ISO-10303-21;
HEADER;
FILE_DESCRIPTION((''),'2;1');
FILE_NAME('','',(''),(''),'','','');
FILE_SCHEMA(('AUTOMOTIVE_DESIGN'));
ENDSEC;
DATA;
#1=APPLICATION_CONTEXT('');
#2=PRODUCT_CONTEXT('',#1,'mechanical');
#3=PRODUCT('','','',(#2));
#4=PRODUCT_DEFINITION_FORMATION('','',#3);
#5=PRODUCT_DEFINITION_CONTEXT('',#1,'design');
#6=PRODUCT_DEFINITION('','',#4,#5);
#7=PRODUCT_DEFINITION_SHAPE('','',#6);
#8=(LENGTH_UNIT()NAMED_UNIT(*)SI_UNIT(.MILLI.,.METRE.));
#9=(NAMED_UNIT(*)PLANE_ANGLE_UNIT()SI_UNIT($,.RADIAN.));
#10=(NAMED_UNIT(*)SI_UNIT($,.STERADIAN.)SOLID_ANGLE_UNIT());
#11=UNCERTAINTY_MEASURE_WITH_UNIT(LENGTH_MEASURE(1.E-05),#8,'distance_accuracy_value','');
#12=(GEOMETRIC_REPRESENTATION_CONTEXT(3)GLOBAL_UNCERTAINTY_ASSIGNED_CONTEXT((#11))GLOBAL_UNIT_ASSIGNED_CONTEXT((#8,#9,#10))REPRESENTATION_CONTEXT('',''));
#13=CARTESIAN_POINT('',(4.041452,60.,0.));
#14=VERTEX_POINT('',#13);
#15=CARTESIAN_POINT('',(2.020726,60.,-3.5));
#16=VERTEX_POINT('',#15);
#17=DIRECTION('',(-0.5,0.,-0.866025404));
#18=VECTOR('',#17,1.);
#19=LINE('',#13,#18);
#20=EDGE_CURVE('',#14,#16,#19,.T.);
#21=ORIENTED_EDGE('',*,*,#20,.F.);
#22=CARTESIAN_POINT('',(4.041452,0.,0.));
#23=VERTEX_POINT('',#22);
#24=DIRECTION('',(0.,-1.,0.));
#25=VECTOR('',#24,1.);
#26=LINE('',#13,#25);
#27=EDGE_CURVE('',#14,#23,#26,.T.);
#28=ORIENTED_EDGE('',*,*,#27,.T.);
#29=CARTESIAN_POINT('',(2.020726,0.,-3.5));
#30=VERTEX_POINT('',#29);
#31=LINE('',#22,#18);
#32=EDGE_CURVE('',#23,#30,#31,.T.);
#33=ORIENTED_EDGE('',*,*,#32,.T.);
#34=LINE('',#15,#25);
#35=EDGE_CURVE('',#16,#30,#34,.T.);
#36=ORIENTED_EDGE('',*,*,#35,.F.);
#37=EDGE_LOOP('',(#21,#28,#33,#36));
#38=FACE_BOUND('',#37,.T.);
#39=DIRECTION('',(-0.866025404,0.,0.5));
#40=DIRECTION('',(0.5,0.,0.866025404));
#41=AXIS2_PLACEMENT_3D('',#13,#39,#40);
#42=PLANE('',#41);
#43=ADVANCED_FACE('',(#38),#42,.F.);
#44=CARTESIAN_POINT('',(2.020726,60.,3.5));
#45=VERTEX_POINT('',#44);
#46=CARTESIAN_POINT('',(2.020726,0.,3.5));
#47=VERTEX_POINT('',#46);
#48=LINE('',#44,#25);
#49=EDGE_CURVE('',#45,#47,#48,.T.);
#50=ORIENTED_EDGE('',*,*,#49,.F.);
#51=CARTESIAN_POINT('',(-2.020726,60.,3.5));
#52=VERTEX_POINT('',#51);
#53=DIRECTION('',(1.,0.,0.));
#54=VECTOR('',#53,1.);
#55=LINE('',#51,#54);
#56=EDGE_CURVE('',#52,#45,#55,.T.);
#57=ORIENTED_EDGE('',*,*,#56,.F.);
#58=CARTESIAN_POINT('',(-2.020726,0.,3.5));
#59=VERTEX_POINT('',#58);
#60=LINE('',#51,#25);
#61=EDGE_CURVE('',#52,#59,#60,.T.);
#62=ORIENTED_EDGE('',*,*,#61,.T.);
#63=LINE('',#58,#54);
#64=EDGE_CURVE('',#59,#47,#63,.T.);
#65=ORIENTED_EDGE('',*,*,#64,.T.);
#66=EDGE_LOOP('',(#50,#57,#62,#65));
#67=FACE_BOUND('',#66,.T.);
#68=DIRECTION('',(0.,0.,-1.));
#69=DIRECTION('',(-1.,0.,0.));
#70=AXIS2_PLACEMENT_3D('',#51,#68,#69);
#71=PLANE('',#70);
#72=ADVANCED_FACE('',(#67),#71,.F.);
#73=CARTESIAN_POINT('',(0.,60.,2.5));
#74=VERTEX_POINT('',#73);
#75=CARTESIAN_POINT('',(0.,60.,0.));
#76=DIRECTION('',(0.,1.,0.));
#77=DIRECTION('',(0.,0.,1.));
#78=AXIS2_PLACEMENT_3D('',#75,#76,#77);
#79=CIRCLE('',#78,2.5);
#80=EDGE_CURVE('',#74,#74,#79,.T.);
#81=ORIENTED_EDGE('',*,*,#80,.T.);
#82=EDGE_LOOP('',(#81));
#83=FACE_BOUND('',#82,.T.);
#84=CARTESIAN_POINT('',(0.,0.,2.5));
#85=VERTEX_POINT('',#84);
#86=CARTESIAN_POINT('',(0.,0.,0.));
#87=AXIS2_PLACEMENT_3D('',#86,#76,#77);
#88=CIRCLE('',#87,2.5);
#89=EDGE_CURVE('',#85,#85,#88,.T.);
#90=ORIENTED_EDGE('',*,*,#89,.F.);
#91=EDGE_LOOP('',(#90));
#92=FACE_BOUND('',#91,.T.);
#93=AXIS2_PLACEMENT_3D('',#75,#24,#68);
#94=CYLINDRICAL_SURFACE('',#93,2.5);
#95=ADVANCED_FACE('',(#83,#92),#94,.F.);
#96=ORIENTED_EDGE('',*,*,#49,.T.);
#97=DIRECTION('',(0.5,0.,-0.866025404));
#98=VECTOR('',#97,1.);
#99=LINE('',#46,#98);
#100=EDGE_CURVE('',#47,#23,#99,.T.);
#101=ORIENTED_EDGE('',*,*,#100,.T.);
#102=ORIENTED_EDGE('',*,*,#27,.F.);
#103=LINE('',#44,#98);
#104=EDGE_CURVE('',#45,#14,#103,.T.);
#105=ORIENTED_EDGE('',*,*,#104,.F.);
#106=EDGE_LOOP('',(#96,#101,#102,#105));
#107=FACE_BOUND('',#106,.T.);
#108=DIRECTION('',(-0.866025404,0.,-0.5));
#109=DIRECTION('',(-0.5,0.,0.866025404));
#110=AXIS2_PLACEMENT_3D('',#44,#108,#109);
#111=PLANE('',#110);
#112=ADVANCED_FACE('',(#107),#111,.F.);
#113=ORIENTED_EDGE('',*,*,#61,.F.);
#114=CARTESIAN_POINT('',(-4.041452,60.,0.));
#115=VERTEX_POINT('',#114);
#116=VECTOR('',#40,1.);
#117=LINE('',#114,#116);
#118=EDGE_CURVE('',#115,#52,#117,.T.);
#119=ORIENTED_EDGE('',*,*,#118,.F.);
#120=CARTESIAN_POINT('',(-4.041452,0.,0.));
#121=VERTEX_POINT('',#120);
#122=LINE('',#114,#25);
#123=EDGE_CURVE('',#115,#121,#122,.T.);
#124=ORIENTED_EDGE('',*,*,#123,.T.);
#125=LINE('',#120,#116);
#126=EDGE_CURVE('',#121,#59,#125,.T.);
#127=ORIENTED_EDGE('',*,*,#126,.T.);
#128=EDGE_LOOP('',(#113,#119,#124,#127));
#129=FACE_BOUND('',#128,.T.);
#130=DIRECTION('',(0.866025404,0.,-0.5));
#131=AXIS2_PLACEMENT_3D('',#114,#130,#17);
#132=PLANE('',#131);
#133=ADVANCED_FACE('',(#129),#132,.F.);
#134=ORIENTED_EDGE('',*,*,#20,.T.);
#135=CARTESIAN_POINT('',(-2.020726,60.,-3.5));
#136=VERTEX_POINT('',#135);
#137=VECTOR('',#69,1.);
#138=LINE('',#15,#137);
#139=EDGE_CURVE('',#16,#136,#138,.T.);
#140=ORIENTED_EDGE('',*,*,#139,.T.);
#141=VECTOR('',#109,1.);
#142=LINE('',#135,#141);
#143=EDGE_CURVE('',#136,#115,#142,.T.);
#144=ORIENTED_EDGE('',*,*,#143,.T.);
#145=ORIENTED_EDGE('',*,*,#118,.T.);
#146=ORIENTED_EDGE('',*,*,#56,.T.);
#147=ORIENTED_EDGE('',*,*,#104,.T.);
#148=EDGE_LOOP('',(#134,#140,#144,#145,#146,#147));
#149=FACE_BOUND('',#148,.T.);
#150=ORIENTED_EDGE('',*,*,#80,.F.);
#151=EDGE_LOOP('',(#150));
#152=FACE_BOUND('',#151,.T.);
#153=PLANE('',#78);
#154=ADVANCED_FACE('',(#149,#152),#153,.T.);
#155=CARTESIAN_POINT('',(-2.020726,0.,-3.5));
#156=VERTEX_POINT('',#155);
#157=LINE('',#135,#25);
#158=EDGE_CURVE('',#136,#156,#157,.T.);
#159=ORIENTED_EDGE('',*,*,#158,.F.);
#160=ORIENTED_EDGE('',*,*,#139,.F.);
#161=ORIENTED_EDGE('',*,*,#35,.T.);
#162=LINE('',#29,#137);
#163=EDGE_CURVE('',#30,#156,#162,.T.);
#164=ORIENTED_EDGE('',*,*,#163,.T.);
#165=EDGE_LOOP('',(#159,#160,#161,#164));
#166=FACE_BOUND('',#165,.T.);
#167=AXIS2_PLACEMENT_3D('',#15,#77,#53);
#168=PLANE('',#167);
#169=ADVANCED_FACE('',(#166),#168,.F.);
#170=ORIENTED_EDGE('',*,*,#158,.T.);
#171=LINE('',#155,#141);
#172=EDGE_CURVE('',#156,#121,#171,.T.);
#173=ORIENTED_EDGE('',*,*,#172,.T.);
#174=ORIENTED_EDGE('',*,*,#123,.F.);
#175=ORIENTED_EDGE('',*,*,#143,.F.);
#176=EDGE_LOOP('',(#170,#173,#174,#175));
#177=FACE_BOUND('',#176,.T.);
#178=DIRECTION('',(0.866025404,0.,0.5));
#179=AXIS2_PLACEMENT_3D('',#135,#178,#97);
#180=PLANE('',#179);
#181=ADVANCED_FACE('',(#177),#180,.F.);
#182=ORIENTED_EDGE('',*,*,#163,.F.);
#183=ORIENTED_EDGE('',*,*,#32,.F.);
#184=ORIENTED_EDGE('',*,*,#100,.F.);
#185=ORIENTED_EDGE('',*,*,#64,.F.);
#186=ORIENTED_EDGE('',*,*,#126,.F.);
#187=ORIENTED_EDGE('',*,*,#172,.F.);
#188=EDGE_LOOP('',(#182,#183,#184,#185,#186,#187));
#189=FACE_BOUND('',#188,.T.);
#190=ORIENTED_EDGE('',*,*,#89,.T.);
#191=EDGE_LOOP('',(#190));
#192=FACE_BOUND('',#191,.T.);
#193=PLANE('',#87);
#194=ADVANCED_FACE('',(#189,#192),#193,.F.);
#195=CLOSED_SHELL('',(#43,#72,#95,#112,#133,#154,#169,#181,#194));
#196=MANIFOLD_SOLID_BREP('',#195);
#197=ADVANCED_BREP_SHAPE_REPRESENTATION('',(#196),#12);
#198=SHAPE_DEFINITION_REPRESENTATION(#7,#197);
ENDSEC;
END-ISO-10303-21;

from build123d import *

# Parameters (mm, degrees)
SKETCH_1_R      = 2.5
EXTRUDE_1_DEPTH = 60


with BuildPart() as part:
    # 草图1 → 凸台-拉伸1 (new body)
    with BuildSketch(Plane(origin=(0, 0, 0), x_dir=(1, 0, 0), z_dir=(0, 1, 0))):
        Polygon((2.020725942, 3.5), (-2.020725942, 3.5), (-4.041451884, 0), (-2.020725942, -3.5), (2.020725942, -3.5), (4.041451884, 0), align=None)
        with Locations(Location((0, 0, 0), (0, 0, 270))):
            Circle(SKETCH_1_R, mode=Mode.SUBTRACT)
    extrude(amount=EXTRUDE_1_DEPTH)


solid = part.part
